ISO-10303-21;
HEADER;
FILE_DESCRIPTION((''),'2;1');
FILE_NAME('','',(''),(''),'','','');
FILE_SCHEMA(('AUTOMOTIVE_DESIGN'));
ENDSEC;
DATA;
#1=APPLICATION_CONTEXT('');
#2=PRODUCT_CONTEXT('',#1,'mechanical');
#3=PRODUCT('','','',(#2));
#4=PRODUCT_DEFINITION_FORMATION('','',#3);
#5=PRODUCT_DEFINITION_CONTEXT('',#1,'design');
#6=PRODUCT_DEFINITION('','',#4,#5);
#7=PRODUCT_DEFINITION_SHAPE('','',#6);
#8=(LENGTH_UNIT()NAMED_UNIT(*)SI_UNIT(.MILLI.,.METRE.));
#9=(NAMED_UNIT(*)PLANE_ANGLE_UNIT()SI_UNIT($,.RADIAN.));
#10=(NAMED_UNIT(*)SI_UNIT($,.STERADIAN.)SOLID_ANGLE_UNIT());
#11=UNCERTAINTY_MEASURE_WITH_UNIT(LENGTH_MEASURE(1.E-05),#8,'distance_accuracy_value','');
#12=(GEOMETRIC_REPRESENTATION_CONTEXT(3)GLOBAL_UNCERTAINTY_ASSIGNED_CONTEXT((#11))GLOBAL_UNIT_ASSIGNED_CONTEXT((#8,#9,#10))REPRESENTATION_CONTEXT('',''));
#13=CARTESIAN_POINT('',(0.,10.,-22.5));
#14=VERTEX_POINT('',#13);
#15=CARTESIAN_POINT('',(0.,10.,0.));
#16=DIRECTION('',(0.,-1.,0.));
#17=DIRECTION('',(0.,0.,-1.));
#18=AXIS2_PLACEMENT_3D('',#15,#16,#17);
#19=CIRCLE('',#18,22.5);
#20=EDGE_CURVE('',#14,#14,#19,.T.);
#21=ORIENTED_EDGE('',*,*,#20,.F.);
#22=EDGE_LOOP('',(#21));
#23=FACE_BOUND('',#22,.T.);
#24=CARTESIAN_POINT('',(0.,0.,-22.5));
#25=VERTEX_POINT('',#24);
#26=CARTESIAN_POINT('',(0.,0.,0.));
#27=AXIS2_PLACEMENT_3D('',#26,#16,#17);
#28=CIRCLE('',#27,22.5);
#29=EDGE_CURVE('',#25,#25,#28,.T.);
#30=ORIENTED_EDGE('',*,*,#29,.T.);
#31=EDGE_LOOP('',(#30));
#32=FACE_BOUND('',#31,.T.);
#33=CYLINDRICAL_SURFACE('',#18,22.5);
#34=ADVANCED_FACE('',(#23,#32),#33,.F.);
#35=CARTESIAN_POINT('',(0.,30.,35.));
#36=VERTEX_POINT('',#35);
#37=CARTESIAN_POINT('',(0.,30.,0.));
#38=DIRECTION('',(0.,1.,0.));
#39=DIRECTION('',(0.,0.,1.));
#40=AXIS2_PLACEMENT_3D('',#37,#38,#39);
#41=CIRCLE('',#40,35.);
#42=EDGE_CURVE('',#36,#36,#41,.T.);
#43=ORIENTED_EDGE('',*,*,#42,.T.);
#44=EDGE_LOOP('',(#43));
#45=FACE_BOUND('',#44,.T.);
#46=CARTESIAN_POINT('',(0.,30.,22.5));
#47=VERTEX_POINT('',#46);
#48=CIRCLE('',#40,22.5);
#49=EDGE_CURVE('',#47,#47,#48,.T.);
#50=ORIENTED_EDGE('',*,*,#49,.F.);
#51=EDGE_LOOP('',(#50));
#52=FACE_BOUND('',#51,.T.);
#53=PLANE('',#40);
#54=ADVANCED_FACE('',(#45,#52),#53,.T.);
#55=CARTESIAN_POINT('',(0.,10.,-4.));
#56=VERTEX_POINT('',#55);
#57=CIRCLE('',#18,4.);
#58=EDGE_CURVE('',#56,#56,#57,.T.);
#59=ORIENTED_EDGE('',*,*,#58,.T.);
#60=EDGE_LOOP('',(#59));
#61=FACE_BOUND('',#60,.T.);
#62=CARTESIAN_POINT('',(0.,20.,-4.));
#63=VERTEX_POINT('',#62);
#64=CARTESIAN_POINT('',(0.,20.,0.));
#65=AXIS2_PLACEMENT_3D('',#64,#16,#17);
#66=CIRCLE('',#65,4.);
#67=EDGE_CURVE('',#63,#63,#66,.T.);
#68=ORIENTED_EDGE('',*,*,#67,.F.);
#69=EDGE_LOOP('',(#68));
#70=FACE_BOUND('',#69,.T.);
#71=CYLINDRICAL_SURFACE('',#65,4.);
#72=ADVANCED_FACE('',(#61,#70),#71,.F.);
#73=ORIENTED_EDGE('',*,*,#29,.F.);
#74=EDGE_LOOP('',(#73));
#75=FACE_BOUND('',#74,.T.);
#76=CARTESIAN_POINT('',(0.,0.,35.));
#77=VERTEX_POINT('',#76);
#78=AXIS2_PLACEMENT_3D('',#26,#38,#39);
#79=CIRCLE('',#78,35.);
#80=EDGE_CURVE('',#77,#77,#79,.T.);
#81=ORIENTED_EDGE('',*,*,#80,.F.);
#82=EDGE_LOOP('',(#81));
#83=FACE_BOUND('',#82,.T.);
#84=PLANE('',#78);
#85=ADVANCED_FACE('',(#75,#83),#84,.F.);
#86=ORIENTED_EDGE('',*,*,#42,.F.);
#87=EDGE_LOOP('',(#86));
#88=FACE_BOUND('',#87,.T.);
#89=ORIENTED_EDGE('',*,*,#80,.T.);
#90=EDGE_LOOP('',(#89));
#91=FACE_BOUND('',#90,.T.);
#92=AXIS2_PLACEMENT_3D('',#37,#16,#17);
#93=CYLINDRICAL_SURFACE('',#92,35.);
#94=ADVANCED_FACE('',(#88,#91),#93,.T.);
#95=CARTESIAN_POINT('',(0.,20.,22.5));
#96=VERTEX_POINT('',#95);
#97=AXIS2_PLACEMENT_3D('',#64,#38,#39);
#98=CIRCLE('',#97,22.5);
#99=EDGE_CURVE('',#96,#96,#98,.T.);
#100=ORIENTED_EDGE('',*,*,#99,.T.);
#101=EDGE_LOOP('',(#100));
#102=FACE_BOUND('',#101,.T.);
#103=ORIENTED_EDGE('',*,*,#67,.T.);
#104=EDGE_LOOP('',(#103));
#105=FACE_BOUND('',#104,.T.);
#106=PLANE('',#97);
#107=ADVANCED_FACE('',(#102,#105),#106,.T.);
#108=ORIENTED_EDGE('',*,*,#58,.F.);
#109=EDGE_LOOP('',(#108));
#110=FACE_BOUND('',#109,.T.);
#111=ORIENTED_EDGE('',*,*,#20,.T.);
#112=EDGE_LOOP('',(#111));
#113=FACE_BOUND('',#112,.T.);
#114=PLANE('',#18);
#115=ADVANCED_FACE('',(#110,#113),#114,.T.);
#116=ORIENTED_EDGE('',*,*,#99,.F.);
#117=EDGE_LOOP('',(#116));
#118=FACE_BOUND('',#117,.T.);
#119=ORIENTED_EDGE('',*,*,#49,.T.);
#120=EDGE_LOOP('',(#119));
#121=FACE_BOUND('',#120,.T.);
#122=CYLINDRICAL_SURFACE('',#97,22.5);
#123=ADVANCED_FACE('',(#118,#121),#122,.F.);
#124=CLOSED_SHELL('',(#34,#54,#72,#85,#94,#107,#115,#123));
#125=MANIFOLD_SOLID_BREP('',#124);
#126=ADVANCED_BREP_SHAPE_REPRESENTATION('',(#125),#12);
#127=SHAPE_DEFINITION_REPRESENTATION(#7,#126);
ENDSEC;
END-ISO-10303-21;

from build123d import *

# Parameters (mm, degrees)
SKETCH1_R           = 35
BOSS_EXTRUDE1_DEPTH = 30
SKETCH2_R           = 22.5
CUT_EXTRUDE1_DEPTH  = 10
CUT_EXTRUDE2_START  = -10
SKETCH3_R           = 22.5
CUT_EXTRUDE2_DEPTH  = 10
SKETCH4_R           = 4
CUT_EXTRUDE3_DEPTH  = 10


with BuildPart() as part:
    # Sketch1 → Boss-Extrude1 (new body)
    with BuildSketch(Plane(origin=(0, 0, 0), x_dir=(1, 0, 0), z_dir=(0, 1, 0))):
        with Locations(Location((0, 0, 0), (0, 0, 270))):
            Circle(SKETCH1_R)
    extrude(amount=BOSS_EXTRUDE1_DEPTH)

    # Sketch2 → Cut-Extrude1 (cut)
    with BuildSketch(Plane(origin=(0, 30, 0), x_dir=(1, 0, 0), z_dir=(0, 1, 0))):
        with Locations(Location((0, 0, 0), (0, 0, 270))):
            Circle(SKETCH2_R)
    extrude(amount=-CUT_EXTRUDE1_DEPTH, mode=Mode.SUBTRACT)

    # Sketch3 → Cut-Extrude2 (cut)
    with BuildSketch(Plane.XZ.offset(CUT_EXTRUDE2_START)):
        with Locations(Location((0, 0, 0), (0, 0, 90))):
            Circle(SKETCH3_R)
    extrude(amount=CUT_EXTRUDE2_DEPTH, mode=Mode.SUBTRACT)

    # Sketch4 → Cut-Extrude3 (cut)
    with BuildSketch(Plane.XZ.offset(-10)):
        with Locations(Location((0, 0, 0), (0, 0, 270))):
            Circle(SKETCH4_R)
    extrude(amount=-CUT_EXTRUDE3_DEPTH, mode=Mode.SUBTRACT)


solid = part.part
